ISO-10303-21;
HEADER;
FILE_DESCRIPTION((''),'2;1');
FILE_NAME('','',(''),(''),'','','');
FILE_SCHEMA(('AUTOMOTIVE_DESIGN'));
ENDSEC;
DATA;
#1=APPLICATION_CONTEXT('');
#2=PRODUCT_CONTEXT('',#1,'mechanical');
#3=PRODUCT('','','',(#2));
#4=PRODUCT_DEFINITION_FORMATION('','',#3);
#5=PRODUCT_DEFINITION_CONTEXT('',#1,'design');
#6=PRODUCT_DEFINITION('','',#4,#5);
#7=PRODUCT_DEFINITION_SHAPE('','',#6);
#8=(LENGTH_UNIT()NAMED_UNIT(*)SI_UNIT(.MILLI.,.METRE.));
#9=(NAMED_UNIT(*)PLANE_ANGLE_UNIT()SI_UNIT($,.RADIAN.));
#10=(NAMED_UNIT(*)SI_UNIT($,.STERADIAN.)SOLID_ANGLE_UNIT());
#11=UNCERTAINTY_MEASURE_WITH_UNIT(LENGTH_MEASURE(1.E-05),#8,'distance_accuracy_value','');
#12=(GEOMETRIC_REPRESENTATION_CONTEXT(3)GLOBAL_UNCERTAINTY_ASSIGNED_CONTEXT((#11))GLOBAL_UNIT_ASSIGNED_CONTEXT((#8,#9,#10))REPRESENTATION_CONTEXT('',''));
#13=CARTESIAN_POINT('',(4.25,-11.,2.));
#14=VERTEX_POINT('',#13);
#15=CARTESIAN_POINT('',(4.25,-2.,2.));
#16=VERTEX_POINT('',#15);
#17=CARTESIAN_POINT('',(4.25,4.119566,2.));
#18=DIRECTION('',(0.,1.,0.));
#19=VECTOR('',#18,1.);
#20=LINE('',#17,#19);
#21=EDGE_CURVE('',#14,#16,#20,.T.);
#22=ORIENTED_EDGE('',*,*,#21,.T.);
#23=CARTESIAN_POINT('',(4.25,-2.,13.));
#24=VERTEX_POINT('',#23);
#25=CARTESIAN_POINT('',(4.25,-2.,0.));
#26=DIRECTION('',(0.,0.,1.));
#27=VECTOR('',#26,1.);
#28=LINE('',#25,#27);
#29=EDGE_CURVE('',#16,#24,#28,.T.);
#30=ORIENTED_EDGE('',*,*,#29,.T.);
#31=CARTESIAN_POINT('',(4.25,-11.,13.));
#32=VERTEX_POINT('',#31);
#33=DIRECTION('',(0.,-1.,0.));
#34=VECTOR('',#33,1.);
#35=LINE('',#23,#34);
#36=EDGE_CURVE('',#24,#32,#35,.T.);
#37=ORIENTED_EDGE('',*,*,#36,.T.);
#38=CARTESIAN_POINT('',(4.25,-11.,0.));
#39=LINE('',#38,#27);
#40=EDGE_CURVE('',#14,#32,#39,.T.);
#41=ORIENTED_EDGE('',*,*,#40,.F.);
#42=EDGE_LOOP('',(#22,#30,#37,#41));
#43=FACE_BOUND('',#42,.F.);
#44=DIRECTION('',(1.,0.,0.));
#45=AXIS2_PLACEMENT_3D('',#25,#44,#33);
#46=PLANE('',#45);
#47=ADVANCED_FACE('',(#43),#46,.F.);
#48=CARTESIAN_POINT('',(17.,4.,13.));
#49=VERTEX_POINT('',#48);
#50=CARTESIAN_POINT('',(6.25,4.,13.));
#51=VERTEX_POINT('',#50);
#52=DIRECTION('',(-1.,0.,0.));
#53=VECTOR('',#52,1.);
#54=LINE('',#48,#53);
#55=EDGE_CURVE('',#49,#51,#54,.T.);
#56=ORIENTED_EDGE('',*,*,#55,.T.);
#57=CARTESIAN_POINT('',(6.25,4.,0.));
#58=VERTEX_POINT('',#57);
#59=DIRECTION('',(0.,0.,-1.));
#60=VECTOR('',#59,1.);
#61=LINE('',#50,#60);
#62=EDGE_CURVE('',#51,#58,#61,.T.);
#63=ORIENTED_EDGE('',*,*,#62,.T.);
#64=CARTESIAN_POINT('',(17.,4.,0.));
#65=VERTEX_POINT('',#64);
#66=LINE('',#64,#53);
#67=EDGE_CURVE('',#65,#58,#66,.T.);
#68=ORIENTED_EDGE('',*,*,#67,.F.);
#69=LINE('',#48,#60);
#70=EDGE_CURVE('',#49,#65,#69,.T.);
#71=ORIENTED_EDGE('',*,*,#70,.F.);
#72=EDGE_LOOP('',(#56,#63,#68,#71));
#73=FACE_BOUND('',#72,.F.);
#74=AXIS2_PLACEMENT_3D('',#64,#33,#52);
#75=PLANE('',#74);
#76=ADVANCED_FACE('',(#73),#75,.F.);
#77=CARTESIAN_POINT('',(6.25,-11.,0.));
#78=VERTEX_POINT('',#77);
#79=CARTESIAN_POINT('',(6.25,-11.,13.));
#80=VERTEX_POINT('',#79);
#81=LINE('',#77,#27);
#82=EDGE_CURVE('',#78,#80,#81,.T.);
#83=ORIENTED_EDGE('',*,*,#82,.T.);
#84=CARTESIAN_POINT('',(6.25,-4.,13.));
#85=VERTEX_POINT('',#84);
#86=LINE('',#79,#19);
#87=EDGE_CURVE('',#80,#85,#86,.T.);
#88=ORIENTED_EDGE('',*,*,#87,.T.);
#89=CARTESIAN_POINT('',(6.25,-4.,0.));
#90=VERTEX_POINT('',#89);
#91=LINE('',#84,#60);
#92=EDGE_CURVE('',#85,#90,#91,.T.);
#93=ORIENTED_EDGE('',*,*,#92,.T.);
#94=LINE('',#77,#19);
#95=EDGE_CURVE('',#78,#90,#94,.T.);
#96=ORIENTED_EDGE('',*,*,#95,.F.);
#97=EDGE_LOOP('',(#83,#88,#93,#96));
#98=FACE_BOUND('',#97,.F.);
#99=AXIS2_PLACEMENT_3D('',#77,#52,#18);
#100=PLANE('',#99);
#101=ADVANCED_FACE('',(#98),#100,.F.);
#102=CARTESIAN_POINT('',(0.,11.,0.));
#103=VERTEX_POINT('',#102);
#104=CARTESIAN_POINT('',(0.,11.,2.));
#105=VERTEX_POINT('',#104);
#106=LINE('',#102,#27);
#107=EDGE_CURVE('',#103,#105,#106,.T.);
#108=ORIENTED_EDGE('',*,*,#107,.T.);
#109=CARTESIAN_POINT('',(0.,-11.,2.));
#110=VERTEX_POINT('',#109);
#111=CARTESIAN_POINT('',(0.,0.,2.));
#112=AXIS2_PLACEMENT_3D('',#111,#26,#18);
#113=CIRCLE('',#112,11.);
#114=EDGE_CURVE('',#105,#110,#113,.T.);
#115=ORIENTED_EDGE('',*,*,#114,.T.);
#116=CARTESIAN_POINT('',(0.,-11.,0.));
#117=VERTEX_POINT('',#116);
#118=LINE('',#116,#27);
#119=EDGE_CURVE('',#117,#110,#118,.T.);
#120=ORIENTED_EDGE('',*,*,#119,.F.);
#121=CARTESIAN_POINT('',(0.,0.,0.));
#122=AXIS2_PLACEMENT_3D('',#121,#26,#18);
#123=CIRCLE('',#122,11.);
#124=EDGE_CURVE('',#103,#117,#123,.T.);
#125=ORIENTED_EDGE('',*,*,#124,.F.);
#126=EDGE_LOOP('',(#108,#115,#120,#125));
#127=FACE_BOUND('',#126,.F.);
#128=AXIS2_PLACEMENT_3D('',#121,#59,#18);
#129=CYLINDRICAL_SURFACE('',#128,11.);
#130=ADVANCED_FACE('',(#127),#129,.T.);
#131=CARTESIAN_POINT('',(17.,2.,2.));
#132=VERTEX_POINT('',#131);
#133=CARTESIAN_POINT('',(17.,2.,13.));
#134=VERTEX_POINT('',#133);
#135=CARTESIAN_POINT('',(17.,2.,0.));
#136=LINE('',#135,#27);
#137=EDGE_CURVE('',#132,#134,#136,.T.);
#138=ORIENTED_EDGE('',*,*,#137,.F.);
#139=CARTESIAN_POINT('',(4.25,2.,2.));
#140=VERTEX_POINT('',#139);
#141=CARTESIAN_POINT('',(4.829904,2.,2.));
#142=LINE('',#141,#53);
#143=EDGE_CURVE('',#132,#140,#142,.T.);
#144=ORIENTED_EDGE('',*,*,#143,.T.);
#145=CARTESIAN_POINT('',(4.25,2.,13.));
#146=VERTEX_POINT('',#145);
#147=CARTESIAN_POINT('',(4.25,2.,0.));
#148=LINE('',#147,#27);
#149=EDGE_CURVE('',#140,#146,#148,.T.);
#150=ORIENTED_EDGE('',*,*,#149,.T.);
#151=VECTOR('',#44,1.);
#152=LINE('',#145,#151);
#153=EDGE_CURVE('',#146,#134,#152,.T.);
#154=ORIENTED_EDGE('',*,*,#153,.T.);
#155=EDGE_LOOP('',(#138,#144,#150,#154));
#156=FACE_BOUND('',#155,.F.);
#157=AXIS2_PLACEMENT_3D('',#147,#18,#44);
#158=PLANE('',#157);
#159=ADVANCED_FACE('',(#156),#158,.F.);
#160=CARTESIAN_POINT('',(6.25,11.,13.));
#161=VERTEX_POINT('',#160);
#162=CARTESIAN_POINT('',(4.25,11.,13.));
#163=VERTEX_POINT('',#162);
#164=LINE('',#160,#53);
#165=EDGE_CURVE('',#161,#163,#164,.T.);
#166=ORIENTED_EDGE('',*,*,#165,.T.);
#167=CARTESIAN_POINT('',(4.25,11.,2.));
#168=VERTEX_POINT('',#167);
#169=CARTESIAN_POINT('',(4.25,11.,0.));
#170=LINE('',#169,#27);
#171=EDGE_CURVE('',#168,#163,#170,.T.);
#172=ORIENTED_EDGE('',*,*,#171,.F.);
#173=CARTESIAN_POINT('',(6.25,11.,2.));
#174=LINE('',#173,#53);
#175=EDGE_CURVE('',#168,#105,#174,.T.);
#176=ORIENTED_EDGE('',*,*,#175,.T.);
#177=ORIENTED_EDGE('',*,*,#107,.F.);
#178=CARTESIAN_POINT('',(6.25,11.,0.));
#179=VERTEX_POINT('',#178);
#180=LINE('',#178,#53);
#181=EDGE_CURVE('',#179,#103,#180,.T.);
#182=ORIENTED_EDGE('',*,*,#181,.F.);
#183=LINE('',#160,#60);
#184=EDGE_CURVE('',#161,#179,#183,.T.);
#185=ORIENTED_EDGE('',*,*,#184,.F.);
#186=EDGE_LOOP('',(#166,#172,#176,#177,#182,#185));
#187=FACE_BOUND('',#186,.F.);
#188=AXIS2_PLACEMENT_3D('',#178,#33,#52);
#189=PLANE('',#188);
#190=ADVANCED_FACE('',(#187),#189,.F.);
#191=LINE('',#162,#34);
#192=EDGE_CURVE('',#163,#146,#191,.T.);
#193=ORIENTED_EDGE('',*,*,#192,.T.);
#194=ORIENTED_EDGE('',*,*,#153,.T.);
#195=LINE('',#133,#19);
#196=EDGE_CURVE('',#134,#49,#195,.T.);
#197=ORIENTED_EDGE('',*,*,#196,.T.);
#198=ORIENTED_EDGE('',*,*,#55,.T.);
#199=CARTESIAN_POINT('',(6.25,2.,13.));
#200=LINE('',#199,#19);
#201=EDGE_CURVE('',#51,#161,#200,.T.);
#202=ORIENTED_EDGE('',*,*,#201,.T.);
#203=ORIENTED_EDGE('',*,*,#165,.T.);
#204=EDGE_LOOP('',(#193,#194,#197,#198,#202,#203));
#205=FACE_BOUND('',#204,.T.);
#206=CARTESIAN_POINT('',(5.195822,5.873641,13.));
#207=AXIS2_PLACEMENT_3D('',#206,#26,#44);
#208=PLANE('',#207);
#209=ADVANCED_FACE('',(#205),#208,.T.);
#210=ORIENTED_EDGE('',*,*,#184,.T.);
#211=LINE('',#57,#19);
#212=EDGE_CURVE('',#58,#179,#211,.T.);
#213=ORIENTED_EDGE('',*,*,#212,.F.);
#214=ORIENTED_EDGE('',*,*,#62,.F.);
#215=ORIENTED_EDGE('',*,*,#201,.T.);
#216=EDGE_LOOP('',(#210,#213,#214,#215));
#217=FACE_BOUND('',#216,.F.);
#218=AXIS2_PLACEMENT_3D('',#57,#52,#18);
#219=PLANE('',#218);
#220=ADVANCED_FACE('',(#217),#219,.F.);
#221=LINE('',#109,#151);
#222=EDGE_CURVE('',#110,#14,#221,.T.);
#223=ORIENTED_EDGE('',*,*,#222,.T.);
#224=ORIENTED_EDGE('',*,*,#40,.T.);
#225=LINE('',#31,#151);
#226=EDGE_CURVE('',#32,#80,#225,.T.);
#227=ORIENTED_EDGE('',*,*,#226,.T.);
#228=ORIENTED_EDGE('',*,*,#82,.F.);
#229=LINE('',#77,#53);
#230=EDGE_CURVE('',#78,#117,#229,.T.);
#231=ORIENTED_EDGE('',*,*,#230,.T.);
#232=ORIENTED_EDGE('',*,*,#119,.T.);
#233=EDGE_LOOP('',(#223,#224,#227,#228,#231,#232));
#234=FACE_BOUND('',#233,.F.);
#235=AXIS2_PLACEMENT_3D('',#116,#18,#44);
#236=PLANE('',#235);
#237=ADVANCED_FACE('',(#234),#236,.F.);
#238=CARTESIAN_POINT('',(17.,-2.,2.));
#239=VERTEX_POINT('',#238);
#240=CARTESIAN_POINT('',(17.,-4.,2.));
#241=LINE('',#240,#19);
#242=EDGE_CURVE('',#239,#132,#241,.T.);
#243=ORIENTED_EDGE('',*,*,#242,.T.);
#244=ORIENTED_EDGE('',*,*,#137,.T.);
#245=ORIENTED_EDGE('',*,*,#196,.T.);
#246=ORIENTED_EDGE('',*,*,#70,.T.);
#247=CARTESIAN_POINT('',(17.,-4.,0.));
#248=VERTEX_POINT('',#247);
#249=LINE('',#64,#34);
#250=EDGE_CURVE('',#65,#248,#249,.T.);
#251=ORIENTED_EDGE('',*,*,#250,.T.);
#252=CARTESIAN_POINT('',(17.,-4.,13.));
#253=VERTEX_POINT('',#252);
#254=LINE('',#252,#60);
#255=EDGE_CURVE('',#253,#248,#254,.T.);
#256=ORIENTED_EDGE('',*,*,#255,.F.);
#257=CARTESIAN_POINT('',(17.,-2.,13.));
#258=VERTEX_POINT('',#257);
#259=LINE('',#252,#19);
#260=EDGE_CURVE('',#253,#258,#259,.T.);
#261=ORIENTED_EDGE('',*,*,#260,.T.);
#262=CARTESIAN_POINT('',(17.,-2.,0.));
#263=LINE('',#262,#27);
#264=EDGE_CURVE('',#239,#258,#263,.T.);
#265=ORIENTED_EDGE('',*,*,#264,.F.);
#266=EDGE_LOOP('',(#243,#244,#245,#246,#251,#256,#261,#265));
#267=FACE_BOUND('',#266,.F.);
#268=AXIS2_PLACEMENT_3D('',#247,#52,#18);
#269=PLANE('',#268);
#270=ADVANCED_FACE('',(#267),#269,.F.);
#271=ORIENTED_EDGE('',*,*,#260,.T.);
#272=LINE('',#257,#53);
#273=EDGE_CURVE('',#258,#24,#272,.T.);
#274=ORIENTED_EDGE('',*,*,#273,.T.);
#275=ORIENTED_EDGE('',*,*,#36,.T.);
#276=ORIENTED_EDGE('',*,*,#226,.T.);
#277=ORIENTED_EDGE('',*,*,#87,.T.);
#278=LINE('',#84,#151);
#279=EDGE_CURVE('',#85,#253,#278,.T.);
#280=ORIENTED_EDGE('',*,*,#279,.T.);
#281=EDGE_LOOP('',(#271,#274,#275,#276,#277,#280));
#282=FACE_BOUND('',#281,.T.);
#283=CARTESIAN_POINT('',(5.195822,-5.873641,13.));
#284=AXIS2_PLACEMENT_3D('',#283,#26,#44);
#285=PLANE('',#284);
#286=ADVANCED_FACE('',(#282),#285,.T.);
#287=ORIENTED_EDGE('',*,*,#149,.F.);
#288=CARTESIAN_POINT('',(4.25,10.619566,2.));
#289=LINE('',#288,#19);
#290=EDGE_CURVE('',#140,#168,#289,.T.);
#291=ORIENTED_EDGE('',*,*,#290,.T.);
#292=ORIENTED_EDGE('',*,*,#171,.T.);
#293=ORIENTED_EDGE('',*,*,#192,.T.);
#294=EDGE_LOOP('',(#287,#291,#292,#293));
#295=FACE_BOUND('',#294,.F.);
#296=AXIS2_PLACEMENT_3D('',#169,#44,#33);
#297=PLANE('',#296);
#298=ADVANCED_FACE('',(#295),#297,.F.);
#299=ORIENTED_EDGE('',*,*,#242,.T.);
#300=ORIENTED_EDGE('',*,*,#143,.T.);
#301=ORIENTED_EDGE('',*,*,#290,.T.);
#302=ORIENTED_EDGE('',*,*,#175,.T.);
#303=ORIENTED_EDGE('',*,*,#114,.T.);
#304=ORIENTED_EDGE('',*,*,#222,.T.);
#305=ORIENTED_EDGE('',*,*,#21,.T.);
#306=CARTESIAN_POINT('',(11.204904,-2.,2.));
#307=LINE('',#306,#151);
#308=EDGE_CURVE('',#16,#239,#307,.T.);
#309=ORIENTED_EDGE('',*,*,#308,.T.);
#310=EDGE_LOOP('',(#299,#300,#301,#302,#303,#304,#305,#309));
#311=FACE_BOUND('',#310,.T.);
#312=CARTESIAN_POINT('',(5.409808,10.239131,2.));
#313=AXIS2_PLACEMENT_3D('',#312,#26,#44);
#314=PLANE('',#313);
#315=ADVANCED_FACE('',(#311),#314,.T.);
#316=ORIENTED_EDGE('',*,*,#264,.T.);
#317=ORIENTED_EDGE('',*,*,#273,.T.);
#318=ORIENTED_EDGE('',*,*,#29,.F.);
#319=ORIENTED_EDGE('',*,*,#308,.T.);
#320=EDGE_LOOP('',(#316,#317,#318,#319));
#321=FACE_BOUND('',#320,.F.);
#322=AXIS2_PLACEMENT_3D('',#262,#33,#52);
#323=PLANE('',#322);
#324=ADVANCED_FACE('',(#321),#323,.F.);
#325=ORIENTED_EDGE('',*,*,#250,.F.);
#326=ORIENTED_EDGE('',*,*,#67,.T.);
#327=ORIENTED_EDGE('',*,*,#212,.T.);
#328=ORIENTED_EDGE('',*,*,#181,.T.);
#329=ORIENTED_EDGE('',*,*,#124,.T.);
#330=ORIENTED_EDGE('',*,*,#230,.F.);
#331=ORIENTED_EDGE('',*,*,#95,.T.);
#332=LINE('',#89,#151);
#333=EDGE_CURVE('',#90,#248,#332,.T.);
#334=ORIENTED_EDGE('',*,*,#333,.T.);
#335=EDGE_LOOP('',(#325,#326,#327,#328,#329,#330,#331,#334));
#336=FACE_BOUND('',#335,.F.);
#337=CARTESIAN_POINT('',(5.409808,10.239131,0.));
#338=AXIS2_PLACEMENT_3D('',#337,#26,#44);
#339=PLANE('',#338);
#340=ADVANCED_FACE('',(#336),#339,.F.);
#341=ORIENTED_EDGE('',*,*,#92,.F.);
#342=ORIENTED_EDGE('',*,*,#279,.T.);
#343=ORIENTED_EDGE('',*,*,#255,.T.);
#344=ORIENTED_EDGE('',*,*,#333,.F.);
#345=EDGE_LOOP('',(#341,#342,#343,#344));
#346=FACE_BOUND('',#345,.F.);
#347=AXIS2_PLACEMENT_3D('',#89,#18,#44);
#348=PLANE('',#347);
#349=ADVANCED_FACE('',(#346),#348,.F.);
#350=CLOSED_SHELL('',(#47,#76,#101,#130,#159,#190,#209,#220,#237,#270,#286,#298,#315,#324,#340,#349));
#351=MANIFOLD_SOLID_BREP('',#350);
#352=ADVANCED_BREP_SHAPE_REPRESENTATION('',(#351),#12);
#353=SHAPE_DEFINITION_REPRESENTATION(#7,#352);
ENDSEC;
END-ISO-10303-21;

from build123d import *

# Parameters (mm, degrees)
F1_DEPTH = 2
F2_DEPTH = 13


with BuildPart() as f1:
    # F0 (on Top) → F1 (new body)
    with BuildSketch(Plane.XY):
        with BuildLine():
            Line((4.25, 11), (4.25, 10.1458119439))
            ThreePointArc((4.25, 10.1458119439), (5.2784128784, 9.6508215964), (6.25, 9.0519334951))
            Line((6.25, 9.0519334951), (6.25, 11))
            Line((6.25, 11), (4.25, 11))
        make_face()
        with BuildLine():
            ThreePointArc((4.25, 10.1458119439), (2.1674949386, 10.7843389084), (0, 11))
            Line((0, 11), (0, -11))
            ThreePointArc((0, -11), (2.1674949386, -10.7843389084), (4.25, -10.1458119439))
            Line((4.25, -10.1458119439), (4.25, -2))
            Line((4.25, -2), (6.25, -2))
            Line((6.25, -2), (6.25, 2))
            Line((6.25, 2), (4.25, 2))
            Line((4.25, 2), (4.25, 10.1458119439))
        make_face()
        with BuildLine():
            Line((0, -11), (0, 11))
            ThreePointArc((0, 11), (-11, 0), (0, -11))
        make_face()
        with BuildLine():
            ThreePointArc((6.25, -9.0519334951), (5.2784128784, -9.6508215964), (4.25, -10.1458119439))
            Line((4.25, -10.1458119439), (4.25, -11))
            Line((4.25, -11), (6.25, -11))
            Line((6.25, -11), (6.25, -9.0519334951))
        make_face()
        with BuildLine():
            ThreePointArc((10.8166538264, 2), (10.5791710264, 3.0134930553), (10.246950766, 4))
            Line((10.246950766, 4), (6.25, 4))
            Line((6.25, 4), (6.25, 2))
            Line((6.25, 2), (10.8166538264, 2))
        make_face()
        with BuildLine():
            Line((13.753049234, 4), (10.246950766, 4))
            ThreePointArc((10.246950766, 4), (10.5791710264, 3.0134930553), (10.8166538264, 2))
            Line((10.8166538264, 2), (13.1833461736, 2))
            ThreePointArc((13.1833461736, 2), (13.4208289736, 3.0134930553), (13.753049234, 4))
        make_face()
        with BuildLine():
            Line((17, 4), (13.753049234, 4))
            ThreePointArc((13.753049234, 4), (13.4208289736, 3.0134930553), (13.1833461736, 2))
            Line((13.1833461736, 2), (17, 2))
            Line((17, 2), (17, 4))
        make_face()
        with BuildLine():
            Line((17, 2), (13.1833461736, 2))
            ThreePointArc((13.1833461736, 2), (13, 0), (13.1833461736, -2))
            Line((13.1833461736, -2), (17, -2))
            Line((17, -2), (17, 2))
        make_face()
        with BuildLine():
            ThreePointArc((13.1833461736, -2), (13.4208289736, -3.0134930553), (13.753049234, -4))
            Line((13.753049234, -4), (17, -4))
            Line((17, -4), (17, -2))
            Line((17, -2), (13.1833461736, -2))
        make_face()
        with BuildLine():
            Line((10.8166538264, 2), (6.25, 2))
            Line((6.25, 2), (6.25, -2))
            Line((6.25, -2), (10.8166538264, -2))
            ThreePointArc((10.8166538264, -2), (10.9540675571, -1.004193186), (11, 0))
            ThreePointArc((11, 0), (10.9540675571, 1.004193186), (10.8166538264, 2))
        make_face()
        with BuildLine():
            Line((13.1833461736, 2), (10.8166538264, 2))
            ThreePointArc((10.8166538264, 2), (10.9540675571, 1.004193186), (11, 0))
            ThreePointArc((11, 0), (10.9540675571, -1.004193186), (10.8166538264, -2))
            Line((10.8166538264, -2), (13.1833461736, -2))
            ThreePointArc((13.1833461736, -2), (13, 0), (13.1833461736, 2))
        make_face()
        with BuildLine():
            Line((4.25, -2), (4.25, -10.1458119439))
            ThreePointArc((4.25, -10.1458119439), (5.2784128784, -9.6508215964), (6.25, -9.0519334951))
            Line((6.25, -9.0519334951), (6.25, -4))
            Line((6.25, -4), (6.25, -2))
            Line((6.25, -2), (4.25, -2))
        make_face()
        with BuildLine():
            Line((6.25, -4), (10.246950766, -4))
            ThreePointArc((10.246950766, -4), (10.5791710264, -3.0134930553), (10.8166538264, -2))
            Line((10.8166538264, -2), (6.25, -2))
            Line((6.25, -2), (6.25, -4))
        make_face()
        with BuildLine():
            ThreePointArc((10.8166538264, -2), (10.5791710264, -3.0134930553), (10.246950766, -4))
            Line((10.246950766, -4), (13.753049234, -4))
            ThreePointArc((13.753049234, -4), (13.4208289736, -3.0134930553), (13.1833461736, -2))
            Line((13.1833461736, -2), (10.8166538264, -2))
        make_face()
        with BuildLine():
            ThreePointArc((6.25, 9.0519334951), (5.2784128784, 9.6508215964), (4.25, 10.1458119439))
            Line((4.25, 10.1458119439), (4.25, 2))
            Line((4.25, 2), (6.25, 2))
            Line((6.25, 2), (6.25, 4))
            Line((6.25, 4), (6.25, 9.0519334951))
        make_face()
        with BuildLine():
            ThreePointArc((4.25, -10.1458119439), (2.1674949386, -10.7843389084), (0, -11))
            Line((0, -11), (4.25, -11))
            Line((4.25, -11), (4.25, -10.1458119439))
        make_face()
        with BuildLine():
            Line((4.25, 11), (0, 11))
            ThreePointArc((0, 11), (2.1674949386, 10.7843389084), (4.25, 10.1458119439))
            Line((4.25, 10.1458119439), (4.25, 11))
        make_face()
    extrude(amount=F1_DEPTH)

    # F0 (on Top) → F2 (join)
    with BuildSketch(Plane.XY):
        with BuildLine():
            ThreePointArc((6.25, 9.0519334951), (5.2784128784, 9.6508215964), (4.25, 10.1458119439))
            Line((4.25, 10.1458119439), (4.25, 2))
            Line((4.25, 2), (6.25, 2))
            Line((6.25, 2), (6.25, 4))
            Line((6.25, 4), (6.25, 9.0519334951))
        make_face()
        with BuildLine():
            Line((4.25, 11), (4.25, 10.1458119439))
            ThreePointArc((4.25, 10.1458119439), (5.2784128784, 9.6508215964), (6.25, 9.0519334951))
            Line((6.25, 9.0519334951), (6.25, 11))
            Line((6.25, 11), (4.25, 11))
        make_face()
        with BuildLine():
            ThreePointArc((10.8166538264, 2), (10.5791710264, 3.0134930553), (10.246950766, 4))
            Line((10.246950766, 4), (6.25, 4))
            Line((6.25, 4), (6.25, 2))
            Line((6.25, 2), (10.8166538264, 2))
        make_face()
        with BuildLine():
            Line((13.753049234, 4), (10.246950766, 4))
            ThreePointArc((10.246950766, 4), (10.5791710264, 3.0134930553), (10.8166538264, 2))
            Line((10.8166538264, 2), (13.1833461736, 2))
            ThreePointArc((13.1833461736, 2), (13.4208289736, 3.0134930553), (13.753049234, 4))
        make_face()
        with BuildLine():
            Line((17, 4), (13.753049234, 4))
            ThreePointArc((13.753049234, 4), (13.4208289736, 3.0134930553), (13.1833461736, 2))
            Line((13.1833461736, 2), (17, 2))
            Line((17, 2), (17, 4))
        make_face()
        with BuildLine():
            Line((4.25, -2), (4.25, -10.1458119439))
            ThreePointArc((4.25, -10.1458119439), (5.2784128784, -9.6508215964), (6.25, -9.0519334951))
            Line((6.25, -9.0519334951), (6.25, -4))
            Line((6.25, -4), (6.25, -2))
            Line((6.25, -2), (4.25, -2))
        make_face()
        with BuildLine():
            Line((6.25, -4), (10.246950766, -4))
            ThreePointArc((10.246950766, -4), (10.5791710264, -3.0134930553), (10.8166538264, -2))
            Line((10.8166538264, -2), (6.25, -2))
            Line((6.25, -2), (6.25, -4))
        make_face()
        with BuildLine():
            ThreePointArc((10.8166538264, -2), (10.5791710264, -3.0134930553), (10.246950766, -4))
            Line((10.246950766, -4), (13.753049234, -4))
            ThreePointArc((13.753049234, -4), (13.4208289736, -3.0134930553), (13.1833461736, -2))
            Line((13.1833461736, -2), (10.8166538264, -2))
        make_face()
        with BuildLine():
            ThreePointArc((13.1833461736, -2), (13.4208289736, -3.0134930553), (13.753049234, -4))
            Line((13.753049234, -4), (17, -4))
            Line((17, -4), (17, -2))
            Line((17, -2), (13.1833461736, -2))
        make_face()
        with BuildLine():
            ThreePointArc((6.25, -9.0519334951), (5.2784128784, -9.6508215964), (4.25, -10.1458119439))
            Line((4.25, -10.1458119439), (4.25, -11))
            Line((4.25, -11), (6.25, -11))
            Line((6.25, -11), (6.25, -9.0519334951))
        make_face()
    extrude(amount=F2_DEPTH)


solid = f1.part
